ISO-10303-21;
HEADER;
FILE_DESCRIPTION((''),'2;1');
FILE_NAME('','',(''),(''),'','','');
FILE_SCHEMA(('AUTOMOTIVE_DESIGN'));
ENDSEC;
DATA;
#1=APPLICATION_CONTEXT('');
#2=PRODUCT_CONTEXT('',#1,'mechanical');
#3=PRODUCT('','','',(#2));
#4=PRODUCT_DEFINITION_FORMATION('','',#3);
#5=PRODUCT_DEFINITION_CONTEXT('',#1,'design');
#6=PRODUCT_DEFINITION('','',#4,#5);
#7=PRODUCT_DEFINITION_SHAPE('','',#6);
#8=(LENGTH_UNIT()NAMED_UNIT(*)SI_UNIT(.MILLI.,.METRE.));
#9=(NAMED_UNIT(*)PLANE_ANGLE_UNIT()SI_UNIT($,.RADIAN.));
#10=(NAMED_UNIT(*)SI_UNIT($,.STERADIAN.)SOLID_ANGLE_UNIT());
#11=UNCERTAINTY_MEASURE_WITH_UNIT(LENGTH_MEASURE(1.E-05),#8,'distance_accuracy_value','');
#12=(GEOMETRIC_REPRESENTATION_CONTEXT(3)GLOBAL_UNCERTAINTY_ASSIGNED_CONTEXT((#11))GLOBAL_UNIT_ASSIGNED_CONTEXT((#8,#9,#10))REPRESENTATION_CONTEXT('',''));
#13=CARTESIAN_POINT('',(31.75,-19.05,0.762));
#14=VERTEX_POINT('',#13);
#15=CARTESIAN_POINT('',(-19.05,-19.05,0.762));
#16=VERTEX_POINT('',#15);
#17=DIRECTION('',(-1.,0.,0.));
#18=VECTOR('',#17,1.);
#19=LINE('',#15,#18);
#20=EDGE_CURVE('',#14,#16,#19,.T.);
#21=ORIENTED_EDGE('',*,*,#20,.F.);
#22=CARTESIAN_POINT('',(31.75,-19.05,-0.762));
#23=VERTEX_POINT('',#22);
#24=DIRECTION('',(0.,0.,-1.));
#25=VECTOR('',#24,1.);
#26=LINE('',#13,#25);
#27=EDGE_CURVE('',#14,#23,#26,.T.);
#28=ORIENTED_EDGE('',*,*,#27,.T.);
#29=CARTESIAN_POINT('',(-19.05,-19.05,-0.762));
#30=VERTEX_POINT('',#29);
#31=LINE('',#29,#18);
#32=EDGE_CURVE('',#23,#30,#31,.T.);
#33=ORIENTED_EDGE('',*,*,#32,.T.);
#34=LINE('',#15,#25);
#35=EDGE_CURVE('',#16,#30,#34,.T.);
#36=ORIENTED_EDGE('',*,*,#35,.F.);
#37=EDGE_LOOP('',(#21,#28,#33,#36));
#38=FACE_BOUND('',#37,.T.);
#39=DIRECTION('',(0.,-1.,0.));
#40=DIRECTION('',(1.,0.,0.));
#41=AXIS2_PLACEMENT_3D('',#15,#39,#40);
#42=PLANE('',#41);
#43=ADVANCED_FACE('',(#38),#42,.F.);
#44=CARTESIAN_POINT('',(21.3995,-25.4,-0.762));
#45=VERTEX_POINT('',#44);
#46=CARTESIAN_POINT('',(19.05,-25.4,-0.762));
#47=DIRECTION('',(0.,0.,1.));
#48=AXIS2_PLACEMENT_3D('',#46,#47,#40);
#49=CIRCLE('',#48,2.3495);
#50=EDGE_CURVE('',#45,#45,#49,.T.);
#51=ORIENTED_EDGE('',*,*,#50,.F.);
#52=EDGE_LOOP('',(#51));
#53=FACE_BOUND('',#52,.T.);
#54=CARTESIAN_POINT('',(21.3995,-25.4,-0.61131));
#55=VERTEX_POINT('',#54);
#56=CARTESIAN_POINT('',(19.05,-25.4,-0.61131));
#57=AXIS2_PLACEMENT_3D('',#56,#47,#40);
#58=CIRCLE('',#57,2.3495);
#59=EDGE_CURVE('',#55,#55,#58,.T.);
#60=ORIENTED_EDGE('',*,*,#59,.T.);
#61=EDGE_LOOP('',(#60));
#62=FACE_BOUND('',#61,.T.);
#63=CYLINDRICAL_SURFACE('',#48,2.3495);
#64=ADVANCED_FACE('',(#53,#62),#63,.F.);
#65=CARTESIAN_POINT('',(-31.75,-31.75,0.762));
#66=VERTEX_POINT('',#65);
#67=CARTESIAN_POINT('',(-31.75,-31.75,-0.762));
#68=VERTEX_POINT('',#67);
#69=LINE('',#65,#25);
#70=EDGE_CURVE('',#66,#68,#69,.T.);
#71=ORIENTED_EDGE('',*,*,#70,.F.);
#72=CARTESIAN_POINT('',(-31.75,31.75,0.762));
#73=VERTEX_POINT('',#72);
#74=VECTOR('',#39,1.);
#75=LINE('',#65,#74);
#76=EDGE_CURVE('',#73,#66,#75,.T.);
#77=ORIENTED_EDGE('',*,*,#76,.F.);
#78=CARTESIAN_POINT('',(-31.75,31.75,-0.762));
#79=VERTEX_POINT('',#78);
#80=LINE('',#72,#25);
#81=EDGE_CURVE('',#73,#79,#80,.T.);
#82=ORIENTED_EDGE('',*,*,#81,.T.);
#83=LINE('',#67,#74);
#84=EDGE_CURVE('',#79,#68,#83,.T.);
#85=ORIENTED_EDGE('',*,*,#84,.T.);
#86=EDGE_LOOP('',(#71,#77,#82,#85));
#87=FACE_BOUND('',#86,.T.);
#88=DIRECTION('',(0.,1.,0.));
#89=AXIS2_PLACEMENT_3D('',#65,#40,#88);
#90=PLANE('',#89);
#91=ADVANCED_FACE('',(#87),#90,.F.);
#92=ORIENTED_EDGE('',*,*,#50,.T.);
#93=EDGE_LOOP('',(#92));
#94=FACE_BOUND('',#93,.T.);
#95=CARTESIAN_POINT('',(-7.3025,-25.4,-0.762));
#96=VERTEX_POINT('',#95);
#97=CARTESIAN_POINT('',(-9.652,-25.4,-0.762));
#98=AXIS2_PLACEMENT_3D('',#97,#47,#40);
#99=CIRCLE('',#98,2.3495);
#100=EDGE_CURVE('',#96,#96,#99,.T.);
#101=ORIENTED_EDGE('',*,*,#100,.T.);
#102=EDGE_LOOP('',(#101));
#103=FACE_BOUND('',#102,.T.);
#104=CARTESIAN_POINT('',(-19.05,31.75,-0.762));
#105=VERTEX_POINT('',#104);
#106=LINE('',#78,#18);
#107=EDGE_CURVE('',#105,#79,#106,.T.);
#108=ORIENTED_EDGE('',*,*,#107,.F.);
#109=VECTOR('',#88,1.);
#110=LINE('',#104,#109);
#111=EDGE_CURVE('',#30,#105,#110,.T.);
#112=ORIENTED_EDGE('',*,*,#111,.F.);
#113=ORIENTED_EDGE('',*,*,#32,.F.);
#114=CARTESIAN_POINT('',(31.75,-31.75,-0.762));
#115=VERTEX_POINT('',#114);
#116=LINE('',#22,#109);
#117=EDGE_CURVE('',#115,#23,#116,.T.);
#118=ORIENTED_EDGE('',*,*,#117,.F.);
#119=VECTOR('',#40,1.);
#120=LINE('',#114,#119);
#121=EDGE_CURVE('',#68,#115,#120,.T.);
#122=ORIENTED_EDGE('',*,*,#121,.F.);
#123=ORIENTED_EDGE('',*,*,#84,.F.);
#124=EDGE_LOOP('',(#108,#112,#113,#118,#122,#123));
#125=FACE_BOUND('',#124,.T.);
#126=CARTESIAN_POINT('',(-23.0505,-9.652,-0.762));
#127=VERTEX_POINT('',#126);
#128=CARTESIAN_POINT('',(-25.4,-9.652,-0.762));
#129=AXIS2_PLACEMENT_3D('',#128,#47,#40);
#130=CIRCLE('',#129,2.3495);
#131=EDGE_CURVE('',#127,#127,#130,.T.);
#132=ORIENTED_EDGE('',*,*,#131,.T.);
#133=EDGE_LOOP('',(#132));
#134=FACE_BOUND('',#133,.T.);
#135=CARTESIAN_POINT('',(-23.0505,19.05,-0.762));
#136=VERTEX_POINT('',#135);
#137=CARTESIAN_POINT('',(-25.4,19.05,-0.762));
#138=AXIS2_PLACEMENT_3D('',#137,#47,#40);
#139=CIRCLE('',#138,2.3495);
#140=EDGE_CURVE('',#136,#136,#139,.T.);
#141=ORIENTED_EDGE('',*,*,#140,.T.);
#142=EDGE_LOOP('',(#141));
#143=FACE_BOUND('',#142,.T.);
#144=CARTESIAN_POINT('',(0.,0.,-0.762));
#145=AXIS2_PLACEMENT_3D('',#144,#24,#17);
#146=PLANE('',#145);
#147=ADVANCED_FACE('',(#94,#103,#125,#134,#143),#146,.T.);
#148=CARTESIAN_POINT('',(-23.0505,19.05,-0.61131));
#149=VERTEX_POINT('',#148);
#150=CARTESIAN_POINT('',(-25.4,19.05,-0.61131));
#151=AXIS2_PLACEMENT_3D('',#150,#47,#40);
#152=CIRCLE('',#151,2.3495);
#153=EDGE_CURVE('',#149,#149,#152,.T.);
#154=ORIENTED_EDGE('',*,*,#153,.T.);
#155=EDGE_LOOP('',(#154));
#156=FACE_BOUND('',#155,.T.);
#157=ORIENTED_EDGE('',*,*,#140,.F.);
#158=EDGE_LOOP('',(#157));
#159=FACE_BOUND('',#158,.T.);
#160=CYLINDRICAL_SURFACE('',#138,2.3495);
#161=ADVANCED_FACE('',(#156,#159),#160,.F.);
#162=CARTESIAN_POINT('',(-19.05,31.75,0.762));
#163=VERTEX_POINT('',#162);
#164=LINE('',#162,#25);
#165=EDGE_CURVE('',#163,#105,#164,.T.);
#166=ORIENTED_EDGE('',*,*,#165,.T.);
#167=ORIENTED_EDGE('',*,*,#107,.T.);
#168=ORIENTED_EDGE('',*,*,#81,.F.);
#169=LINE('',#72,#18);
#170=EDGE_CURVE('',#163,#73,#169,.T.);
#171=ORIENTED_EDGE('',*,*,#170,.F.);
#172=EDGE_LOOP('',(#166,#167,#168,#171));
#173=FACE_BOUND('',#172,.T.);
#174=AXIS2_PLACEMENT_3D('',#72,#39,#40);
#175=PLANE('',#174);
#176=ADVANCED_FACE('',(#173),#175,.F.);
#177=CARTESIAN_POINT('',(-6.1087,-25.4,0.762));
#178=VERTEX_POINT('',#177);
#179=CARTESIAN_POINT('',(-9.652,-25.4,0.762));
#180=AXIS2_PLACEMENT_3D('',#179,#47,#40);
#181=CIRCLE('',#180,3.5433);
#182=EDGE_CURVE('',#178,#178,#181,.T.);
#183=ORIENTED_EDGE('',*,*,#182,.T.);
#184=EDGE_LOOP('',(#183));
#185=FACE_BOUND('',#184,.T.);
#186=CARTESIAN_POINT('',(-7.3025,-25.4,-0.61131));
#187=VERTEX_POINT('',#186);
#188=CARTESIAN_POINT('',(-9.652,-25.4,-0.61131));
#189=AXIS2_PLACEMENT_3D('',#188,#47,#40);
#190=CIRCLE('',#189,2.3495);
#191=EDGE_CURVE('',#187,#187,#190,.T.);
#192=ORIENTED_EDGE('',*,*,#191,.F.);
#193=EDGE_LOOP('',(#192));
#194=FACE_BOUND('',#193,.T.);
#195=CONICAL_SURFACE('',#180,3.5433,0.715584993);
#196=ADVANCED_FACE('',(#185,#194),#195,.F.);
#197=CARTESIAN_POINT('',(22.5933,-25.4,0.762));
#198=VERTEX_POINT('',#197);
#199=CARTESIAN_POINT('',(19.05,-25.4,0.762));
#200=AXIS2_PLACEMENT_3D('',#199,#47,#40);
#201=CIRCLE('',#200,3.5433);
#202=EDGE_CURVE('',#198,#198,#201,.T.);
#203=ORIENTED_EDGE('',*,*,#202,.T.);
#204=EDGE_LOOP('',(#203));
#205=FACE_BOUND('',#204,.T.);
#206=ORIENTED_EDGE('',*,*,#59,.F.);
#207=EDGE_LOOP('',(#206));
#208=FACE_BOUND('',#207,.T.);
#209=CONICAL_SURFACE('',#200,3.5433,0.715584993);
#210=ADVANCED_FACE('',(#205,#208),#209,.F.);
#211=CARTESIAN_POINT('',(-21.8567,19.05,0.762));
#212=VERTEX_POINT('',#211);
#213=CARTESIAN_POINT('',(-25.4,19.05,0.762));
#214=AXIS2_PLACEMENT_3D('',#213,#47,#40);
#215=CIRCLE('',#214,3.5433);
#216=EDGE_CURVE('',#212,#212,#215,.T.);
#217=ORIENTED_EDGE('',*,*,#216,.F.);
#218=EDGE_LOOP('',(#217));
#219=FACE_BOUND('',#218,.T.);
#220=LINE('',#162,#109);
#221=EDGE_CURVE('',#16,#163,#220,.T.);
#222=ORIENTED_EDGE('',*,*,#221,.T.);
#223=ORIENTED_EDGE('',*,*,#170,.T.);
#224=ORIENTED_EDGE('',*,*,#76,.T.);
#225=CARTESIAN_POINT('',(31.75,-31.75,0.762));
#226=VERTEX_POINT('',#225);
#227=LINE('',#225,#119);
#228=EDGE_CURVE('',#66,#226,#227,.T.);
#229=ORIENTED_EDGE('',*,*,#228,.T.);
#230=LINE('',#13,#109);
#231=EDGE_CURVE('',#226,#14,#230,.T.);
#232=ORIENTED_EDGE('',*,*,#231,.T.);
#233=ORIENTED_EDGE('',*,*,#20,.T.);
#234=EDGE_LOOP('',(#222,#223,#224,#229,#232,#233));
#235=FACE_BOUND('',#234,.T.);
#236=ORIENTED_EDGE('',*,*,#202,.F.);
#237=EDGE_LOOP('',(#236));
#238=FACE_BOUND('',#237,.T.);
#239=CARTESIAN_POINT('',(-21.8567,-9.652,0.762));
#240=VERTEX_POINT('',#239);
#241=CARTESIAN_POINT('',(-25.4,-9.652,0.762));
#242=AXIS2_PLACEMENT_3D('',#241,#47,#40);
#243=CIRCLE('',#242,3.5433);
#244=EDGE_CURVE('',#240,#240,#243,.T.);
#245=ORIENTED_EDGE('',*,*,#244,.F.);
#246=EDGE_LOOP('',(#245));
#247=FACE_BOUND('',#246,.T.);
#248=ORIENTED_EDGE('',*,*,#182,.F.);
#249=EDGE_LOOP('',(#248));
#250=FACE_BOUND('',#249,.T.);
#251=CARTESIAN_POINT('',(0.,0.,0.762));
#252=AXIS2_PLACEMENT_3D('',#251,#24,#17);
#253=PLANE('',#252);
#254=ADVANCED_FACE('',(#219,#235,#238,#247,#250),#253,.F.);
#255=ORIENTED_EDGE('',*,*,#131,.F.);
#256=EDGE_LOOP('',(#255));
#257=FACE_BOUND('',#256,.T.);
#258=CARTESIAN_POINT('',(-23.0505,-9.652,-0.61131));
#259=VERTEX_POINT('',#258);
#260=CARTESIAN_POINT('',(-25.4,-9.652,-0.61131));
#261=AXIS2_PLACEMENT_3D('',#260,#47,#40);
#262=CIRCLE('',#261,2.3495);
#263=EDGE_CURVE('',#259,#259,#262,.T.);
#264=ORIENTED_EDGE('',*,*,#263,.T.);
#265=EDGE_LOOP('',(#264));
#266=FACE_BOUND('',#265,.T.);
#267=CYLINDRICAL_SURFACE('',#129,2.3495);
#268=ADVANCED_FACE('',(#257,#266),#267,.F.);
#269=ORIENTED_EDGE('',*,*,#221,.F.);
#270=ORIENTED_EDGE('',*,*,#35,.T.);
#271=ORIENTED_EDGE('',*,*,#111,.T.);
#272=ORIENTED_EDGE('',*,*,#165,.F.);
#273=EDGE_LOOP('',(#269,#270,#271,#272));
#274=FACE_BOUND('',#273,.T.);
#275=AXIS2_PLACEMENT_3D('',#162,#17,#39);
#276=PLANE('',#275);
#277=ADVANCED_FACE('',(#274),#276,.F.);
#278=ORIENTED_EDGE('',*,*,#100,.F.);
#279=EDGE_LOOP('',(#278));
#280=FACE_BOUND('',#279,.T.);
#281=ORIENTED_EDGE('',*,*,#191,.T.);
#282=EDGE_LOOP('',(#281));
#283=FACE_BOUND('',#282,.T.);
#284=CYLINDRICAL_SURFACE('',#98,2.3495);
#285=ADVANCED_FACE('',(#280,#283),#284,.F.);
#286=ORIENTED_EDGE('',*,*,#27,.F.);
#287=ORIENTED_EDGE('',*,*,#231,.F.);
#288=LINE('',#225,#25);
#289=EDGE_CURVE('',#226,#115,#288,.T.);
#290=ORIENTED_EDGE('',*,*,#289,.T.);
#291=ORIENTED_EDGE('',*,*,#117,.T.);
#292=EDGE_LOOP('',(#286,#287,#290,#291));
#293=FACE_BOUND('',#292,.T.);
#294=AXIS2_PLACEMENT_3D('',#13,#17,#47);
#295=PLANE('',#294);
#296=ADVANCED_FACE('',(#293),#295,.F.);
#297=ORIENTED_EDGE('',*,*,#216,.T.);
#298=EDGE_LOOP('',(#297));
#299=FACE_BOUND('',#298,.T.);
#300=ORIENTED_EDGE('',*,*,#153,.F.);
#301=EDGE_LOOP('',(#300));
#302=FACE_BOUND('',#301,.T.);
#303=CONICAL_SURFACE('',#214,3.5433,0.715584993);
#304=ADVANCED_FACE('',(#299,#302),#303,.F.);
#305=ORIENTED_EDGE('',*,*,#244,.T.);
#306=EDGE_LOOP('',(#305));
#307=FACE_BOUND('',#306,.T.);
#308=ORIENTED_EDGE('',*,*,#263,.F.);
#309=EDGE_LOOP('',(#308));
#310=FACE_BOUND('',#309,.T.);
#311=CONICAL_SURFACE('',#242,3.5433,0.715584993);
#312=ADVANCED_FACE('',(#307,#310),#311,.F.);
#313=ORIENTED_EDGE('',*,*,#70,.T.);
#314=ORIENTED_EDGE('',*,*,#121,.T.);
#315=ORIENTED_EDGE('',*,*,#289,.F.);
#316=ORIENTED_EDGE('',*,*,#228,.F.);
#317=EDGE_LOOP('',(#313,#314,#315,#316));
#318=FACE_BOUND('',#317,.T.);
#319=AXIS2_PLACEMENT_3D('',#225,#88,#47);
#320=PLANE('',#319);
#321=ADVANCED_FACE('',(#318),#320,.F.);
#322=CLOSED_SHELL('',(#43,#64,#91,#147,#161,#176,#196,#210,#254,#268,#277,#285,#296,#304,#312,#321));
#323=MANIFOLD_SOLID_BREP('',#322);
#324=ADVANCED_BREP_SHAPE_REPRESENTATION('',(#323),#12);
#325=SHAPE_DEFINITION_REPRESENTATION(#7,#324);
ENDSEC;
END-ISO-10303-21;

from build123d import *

# Parameters (mm, degrees)
BOSS_EXTRUDE1_DEPTH      = 0.762
BOSS_EXTRUDE1_DEPTH_BACK = 0.762
SKETCH4_R                = 2.3495
CUT_EXTRUDE1_DEPTH       = 1.762
CUT_EXTRUDE1_DEPTH_BACK  = 1.762
SKETCH5_R                = 3.5433
CUT_EXTRUDE2_DEPTH       = 2.524
CUT_EXTRUDE2_TAPER       = 41


with BuildPart() as part:
    # Sketch3 → Boss-Extrude1 (new body, two sides)
    with BuildSketch(Plane.XY) as boss_extrude1_sk:
        Polygon((-31.75, 31.75), (-19.05, 31.75), (-19.05, -19.05), (31.75, -19.05), (31.75, -31.75), (-31.75, -31.75), align=None)
    extrude(amount=BOSS_EXTRUDE1_DEPTH)
    extrude(boss_extrude1_sk.sketch, amount=-BOSS_EXTRUDE1_DEPTH_BACK)

    # Sketch4 → Cut-Extrude1 (cut, two sides)
    with BuildSketch(Plane.XY) as cut_extrude1_sk:
        with Locations((-25.4, 19.05)):
            Circle(SKETCH4_R)
        with Locations((-25.4, -9.652)):
            Circle(SKETCH4_R)
        with Locations((-9.652, -25.4)):
            Circle(SKETCH4_R)
        with Locations((19.05, -25.4)):
            Circle(SKETCH4_R)
    extrude(amount=CUT_EXTRUDE1_DEPTH, mode=Mode.SUBTRACT)
    extrude(cut_extrude1_sk.sketch, amount=-CUT_EXTRUDE1_DEPTH_BACK, mode=Mode.SUBTRACT)

    # Sketch5 → Cut-Extrude2 (cut, through all)
    with BuildSketch(Plane.XY.offset(0.762)):
        with Locations((-25.4, 19.05)):
            Circle(SKETCH5_R)
        with Locations((-25.4, -9.652)):
            Circle(SKETCH5_R)
        with Locations((-9.652, -25.4)):
            Circle(SKETCH5_R)
        with Locations((19.05, -25.4)):
            Circle(SKETCH5_R)
    extrude(amount=-CUT_EXTRUDE2_DEPTH, taper=CUT_EXTRUDE2_TAPER, mode=Mode.SUBTRACT)


solid = part.part
